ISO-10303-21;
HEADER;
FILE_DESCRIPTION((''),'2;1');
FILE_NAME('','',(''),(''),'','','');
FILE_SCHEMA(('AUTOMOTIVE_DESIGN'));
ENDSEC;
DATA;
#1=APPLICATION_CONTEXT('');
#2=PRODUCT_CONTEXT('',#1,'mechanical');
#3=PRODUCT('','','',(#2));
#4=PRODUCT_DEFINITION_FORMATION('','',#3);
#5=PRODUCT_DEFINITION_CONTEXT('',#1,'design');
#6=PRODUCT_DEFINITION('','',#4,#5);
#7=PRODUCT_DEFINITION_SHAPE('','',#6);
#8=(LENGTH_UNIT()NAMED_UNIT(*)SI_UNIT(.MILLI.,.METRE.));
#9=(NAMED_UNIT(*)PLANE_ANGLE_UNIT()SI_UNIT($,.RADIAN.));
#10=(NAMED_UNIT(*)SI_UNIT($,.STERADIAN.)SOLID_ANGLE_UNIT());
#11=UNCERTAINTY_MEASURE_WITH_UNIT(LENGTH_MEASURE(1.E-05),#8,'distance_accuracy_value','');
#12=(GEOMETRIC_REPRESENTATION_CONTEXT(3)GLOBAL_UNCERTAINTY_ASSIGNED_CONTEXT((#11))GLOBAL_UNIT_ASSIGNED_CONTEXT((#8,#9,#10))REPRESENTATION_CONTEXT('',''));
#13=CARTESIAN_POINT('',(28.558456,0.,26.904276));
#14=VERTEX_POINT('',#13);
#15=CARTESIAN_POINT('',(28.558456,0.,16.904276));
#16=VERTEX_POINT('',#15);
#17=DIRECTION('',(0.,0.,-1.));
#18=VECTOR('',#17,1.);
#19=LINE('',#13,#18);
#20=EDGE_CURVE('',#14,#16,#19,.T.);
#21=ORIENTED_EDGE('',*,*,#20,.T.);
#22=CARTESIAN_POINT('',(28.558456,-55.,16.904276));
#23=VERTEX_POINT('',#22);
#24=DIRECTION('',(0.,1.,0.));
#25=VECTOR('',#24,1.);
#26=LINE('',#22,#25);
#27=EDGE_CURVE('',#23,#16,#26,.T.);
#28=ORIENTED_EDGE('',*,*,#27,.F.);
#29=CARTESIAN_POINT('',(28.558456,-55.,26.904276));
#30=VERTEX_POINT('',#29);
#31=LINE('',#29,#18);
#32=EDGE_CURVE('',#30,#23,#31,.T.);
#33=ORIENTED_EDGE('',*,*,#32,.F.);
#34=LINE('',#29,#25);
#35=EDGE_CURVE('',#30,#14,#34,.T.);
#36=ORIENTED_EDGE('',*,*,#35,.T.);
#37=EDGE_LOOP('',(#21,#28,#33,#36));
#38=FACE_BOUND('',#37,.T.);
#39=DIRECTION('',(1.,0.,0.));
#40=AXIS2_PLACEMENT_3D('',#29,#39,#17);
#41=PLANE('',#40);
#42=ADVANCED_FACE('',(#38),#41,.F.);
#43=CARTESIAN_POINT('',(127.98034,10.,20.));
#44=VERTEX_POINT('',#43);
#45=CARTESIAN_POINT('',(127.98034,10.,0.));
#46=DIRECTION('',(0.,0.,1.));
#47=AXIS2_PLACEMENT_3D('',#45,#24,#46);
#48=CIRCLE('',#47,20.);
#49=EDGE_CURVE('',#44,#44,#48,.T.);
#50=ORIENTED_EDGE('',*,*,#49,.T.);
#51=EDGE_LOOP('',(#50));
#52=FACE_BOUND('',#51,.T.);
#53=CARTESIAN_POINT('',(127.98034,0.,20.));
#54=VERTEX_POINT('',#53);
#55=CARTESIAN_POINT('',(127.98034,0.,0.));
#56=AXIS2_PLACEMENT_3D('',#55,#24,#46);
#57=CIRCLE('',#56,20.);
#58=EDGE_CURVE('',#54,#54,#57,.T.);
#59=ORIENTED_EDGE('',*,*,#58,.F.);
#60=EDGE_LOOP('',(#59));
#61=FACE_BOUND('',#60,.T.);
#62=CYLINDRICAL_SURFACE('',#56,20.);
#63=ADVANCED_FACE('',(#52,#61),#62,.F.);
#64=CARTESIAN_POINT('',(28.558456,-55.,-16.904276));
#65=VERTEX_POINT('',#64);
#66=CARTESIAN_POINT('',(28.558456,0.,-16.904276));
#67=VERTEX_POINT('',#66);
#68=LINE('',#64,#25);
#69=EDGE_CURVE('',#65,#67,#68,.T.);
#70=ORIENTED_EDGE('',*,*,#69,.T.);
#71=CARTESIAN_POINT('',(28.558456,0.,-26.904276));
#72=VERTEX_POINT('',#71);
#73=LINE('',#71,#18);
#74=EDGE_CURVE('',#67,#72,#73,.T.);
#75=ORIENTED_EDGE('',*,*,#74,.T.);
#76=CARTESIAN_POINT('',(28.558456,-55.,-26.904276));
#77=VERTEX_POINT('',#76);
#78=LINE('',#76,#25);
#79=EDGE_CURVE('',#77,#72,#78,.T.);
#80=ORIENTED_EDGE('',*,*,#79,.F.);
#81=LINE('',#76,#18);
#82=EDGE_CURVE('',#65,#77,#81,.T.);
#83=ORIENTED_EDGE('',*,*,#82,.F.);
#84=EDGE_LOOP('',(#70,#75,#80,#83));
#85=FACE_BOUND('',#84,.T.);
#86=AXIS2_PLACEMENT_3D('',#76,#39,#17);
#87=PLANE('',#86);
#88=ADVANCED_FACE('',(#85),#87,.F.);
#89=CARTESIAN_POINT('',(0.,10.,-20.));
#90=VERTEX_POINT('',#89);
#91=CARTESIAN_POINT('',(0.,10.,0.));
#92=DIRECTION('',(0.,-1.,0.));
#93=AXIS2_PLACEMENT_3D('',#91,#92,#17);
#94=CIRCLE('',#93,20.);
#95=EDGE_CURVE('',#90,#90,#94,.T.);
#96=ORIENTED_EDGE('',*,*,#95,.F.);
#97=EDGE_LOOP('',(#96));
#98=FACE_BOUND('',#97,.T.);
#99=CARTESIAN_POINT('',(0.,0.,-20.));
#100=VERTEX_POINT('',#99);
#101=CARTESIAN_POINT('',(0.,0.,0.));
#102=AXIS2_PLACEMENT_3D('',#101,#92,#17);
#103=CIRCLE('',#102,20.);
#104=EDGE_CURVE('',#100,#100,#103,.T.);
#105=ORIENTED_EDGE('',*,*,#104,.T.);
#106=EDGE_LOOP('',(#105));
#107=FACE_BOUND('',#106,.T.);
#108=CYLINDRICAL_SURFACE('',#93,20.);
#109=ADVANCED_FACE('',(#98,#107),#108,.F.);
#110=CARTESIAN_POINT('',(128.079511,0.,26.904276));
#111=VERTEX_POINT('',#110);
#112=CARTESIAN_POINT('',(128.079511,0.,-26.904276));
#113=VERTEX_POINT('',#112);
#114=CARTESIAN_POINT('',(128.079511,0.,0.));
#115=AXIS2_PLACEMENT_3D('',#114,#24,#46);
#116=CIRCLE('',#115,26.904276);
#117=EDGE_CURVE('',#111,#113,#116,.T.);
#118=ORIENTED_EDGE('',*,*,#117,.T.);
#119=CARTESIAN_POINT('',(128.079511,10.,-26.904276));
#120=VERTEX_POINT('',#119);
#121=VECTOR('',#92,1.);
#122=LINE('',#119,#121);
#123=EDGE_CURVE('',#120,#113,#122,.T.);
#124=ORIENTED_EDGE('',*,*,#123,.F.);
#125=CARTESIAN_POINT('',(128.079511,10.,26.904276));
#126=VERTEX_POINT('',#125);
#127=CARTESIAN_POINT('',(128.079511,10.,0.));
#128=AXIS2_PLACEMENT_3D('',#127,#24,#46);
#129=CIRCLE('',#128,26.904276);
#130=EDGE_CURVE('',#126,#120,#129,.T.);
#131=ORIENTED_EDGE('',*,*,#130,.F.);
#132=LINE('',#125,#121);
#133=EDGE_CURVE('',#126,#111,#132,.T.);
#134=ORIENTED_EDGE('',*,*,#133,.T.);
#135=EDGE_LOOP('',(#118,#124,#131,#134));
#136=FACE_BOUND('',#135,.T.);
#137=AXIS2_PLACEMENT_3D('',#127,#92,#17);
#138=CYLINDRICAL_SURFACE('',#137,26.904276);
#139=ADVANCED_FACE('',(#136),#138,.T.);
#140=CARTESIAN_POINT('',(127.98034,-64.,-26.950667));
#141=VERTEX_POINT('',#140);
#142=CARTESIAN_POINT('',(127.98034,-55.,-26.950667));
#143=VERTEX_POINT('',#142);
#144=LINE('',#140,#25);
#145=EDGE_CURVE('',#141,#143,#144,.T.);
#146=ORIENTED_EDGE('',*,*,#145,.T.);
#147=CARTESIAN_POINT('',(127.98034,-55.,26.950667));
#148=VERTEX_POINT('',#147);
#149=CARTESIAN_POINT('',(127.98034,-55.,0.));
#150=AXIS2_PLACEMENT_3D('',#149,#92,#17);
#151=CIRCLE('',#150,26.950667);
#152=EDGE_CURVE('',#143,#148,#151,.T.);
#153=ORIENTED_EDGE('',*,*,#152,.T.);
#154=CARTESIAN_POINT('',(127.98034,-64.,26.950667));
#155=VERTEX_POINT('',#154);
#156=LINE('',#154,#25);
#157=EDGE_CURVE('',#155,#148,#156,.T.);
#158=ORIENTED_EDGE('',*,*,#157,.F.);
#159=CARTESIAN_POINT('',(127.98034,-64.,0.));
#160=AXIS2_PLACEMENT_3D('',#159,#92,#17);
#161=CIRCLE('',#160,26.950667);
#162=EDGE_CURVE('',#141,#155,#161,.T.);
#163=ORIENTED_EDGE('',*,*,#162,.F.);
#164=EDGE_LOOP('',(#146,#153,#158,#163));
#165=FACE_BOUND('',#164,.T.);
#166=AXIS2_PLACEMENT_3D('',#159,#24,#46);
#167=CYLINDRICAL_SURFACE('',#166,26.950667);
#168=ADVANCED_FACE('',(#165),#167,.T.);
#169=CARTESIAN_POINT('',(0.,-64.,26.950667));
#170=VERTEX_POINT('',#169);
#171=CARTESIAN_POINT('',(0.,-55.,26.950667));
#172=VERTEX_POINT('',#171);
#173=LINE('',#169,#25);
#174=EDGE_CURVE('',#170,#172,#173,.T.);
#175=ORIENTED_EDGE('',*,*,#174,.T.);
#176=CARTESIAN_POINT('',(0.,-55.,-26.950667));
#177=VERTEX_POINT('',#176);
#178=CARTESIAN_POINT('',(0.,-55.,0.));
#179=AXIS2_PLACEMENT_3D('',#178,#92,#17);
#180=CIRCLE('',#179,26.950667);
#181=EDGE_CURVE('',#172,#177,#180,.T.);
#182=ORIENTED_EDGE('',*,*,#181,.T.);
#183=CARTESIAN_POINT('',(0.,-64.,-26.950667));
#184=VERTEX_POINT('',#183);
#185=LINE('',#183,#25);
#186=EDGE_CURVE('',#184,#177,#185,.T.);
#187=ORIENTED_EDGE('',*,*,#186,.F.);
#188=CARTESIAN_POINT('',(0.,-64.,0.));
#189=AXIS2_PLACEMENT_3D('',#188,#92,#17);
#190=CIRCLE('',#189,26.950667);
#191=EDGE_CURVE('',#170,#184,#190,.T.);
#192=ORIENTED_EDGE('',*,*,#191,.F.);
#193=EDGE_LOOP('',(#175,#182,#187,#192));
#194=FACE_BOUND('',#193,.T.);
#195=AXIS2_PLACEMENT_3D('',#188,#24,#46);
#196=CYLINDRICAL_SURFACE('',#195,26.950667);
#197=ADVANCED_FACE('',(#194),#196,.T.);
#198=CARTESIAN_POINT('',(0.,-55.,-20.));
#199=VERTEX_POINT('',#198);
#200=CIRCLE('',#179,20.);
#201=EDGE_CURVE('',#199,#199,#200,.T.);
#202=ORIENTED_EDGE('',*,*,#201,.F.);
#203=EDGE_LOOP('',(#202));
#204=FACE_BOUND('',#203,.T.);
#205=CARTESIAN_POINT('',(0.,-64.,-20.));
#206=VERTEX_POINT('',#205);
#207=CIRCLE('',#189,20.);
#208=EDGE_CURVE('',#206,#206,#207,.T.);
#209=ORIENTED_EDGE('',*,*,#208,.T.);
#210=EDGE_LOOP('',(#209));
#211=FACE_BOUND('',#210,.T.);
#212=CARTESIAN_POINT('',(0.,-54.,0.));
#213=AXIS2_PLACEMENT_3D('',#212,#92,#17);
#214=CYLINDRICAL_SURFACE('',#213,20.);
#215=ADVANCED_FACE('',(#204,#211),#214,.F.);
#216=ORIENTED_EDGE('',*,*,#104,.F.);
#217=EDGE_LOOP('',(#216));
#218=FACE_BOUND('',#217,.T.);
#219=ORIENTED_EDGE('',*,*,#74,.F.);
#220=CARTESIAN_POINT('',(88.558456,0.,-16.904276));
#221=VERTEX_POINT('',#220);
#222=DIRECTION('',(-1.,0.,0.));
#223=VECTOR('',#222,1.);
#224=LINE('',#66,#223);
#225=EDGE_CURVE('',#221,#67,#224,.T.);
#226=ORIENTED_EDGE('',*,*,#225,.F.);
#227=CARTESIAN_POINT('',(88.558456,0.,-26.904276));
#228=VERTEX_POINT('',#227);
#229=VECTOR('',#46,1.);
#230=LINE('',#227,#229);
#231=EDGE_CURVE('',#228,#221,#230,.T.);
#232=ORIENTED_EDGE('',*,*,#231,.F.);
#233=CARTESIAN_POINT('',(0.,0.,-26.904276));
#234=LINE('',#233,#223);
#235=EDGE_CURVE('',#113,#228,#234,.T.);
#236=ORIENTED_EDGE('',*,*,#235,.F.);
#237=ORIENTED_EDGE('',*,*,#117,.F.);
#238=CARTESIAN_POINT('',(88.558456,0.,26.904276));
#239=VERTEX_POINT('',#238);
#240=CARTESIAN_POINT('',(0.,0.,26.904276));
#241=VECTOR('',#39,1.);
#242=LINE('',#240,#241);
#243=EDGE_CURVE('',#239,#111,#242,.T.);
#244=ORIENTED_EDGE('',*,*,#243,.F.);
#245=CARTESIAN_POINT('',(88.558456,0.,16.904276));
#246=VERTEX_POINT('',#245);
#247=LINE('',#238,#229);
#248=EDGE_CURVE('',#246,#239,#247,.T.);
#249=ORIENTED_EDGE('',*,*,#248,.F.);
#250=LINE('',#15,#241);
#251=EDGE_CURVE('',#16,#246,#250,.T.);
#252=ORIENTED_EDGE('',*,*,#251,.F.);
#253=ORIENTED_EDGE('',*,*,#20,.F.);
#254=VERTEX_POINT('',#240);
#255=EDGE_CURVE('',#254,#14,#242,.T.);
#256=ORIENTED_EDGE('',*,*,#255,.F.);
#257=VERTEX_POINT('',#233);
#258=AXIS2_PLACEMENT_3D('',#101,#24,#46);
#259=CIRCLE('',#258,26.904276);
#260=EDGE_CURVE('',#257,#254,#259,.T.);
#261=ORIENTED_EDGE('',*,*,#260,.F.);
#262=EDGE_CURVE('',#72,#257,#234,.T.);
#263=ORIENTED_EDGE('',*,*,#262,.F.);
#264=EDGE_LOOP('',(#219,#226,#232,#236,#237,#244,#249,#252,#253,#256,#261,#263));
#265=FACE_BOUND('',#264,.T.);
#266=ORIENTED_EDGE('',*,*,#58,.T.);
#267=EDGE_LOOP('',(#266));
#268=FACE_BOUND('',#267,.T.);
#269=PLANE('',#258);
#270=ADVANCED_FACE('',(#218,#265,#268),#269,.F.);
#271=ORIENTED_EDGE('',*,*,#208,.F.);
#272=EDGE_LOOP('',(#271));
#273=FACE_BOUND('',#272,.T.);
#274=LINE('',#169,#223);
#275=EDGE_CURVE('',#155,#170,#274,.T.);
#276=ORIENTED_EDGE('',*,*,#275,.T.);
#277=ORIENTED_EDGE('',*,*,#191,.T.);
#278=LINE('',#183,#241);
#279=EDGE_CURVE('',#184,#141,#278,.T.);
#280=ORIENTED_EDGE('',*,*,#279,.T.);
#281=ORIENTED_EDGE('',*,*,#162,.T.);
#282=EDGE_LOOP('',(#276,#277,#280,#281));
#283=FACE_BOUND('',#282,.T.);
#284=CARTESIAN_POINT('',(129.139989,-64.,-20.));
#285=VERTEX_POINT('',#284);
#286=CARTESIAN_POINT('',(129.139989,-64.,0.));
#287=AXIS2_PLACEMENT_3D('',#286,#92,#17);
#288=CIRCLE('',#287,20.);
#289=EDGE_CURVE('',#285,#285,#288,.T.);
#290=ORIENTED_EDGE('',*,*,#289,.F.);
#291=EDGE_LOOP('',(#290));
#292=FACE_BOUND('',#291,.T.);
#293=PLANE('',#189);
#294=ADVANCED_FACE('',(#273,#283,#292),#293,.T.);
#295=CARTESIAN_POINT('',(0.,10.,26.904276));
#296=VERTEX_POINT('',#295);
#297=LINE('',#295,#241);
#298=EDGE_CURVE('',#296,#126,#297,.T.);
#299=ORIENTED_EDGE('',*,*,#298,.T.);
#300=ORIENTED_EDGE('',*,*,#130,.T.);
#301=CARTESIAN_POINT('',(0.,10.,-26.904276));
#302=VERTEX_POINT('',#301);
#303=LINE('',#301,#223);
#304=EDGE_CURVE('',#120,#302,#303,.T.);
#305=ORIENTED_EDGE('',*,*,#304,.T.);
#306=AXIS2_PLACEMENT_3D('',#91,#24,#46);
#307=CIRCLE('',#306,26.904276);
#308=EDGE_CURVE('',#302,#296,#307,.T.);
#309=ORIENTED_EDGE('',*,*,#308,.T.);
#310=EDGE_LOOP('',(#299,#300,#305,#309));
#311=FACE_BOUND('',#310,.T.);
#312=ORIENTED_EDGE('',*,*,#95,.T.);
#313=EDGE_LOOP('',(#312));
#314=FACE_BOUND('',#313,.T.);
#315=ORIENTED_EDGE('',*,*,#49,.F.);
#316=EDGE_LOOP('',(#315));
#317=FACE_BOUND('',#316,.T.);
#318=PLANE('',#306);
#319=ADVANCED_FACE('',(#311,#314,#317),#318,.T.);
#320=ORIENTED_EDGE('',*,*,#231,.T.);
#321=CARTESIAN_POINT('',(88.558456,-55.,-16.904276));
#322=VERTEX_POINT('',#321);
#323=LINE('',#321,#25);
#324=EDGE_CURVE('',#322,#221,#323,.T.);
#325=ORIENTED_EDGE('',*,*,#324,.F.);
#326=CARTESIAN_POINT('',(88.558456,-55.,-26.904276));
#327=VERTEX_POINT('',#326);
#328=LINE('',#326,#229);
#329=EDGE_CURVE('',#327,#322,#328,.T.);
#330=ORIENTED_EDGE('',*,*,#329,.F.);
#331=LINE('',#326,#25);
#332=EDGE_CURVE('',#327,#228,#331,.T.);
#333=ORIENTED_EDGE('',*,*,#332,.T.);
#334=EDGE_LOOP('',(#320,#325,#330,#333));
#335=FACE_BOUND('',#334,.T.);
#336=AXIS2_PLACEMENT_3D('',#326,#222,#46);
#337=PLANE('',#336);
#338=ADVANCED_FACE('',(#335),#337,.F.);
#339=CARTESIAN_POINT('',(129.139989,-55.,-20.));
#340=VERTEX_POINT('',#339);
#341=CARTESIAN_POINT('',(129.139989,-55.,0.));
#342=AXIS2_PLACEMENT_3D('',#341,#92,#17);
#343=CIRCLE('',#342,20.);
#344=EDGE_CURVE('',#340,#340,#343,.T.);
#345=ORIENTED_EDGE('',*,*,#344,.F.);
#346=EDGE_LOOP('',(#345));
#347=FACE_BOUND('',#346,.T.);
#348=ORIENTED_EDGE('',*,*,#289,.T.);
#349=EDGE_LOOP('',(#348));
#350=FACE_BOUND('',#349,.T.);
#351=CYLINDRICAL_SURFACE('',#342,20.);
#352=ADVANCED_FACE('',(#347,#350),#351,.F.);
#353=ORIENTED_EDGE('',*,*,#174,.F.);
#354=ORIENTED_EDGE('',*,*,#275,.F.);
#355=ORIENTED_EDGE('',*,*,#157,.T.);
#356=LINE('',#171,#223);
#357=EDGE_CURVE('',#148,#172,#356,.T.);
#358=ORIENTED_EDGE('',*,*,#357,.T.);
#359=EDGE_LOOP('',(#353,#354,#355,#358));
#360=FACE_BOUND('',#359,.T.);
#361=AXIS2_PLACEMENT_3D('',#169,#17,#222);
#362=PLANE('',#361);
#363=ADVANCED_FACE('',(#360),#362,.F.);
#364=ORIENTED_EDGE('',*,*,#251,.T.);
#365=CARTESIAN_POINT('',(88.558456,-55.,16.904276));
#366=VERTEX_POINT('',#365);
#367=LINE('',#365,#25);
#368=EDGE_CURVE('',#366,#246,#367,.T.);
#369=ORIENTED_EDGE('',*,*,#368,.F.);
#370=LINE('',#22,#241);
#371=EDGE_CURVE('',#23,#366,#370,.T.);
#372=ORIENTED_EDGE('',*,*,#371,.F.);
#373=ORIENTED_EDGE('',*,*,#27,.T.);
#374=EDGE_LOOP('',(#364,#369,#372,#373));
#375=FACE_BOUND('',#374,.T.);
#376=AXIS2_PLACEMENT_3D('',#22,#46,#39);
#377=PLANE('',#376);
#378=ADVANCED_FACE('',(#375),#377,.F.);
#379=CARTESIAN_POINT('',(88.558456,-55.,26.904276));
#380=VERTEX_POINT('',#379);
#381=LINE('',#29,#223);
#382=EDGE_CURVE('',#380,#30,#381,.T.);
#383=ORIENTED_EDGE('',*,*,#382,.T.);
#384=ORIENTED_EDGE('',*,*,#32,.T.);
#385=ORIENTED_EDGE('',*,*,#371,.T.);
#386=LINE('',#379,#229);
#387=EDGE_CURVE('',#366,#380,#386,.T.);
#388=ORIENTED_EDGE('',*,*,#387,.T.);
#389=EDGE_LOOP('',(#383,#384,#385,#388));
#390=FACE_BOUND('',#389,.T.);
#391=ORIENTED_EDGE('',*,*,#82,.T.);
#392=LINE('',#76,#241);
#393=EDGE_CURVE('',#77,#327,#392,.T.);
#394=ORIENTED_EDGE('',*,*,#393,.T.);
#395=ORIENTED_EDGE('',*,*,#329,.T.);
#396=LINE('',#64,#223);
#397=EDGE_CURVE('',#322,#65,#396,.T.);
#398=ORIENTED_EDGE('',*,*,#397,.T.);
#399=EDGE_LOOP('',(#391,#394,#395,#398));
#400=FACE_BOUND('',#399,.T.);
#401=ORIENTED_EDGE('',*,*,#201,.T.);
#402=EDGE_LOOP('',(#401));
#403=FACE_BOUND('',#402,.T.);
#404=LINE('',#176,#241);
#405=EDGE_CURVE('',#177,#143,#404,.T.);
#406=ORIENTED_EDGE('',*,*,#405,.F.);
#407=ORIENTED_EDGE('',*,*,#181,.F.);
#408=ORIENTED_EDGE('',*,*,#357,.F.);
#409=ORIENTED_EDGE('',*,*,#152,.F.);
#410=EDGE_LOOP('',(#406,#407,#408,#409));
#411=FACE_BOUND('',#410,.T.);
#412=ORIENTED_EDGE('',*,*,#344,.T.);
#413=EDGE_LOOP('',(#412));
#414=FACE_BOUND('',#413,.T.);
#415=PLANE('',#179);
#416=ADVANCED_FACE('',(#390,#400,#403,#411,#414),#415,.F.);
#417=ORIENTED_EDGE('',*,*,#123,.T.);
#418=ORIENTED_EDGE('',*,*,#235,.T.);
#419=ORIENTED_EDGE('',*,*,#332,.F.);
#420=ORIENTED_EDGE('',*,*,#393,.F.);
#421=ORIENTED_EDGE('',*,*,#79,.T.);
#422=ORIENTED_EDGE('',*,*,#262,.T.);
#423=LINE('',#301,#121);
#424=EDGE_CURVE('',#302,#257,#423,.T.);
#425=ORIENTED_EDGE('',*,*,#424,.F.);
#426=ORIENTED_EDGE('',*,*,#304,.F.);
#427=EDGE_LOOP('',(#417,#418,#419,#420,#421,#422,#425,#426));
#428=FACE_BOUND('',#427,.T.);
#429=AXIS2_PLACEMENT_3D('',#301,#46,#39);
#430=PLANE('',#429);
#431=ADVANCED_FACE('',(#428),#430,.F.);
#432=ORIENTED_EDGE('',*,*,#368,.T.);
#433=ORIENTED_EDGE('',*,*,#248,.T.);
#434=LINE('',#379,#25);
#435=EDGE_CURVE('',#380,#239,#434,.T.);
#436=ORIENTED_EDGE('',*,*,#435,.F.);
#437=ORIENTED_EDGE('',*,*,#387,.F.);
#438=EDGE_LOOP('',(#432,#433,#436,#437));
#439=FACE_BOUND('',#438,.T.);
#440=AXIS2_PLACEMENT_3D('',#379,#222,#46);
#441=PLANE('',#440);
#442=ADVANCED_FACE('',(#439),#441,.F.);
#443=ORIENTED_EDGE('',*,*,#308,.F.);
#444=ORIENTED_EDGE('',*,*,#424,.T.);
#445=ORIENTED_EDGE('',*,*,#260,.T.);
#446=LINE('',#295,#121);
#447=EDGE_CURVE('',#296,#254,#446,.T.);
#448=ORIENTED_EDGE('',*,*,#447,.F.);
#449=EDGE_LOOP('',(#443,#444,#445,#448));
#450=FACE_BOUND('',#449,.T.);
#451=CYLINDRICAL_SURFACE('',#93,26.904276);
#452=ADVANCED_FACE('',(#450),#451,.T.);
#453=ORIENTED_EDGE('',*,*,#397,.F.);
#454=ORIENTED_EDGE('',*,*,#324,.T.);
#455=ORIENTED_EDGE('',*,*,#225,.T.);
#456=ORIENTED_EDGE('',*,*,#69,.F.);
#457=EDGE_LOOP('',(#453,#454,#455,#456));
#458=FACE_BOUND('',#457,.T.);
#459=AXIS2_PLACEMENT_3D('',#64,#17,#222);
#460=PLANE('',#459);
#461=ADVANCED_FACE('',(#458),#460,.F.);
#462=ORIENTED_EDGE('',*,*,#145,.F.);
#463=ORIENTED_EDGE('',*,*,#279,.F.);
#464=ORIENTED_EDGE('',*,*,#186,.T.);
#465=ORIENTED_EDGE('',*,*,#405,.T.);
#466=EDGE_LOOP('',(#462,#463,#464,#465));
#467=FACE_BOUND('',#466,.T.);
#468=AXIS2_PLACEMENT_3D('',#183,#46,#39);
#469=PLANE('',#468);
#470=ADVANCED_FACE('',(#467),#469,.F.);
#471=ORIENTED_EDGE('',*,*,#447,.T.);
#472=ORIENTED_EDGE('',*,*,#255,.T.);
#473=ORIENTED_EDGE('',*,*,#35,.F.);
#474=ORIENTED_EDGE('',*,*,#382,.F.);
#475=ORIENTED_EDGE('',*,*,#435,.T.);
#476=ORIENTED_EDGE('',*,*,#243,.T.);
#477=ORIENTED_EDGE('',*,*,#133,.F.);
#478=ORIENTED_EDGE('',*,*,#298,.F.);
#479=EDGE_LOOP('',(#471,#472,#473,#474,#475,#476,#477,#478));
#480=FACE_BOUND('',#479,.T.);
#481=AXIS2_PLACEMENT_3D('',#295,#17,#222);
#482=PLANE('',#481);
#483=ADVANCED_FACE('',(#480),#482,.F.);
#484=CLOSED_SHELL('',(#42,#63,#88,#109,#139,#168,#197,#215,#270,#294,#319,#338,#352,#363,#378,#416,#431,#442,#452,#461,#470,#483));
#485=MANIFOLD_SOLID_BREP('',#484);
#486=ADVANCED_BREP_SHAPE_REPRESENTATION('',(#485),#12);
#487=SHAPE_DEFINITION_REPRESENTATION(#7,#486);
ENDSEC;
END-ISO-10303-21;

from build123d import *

# Parameters (mm, degrees)
SALIENTE_EXTRUIR1_DEPTH = 10
CROQUIS2_R              = 20
CORTAR_EXTRUIR1_DEPTH   = 10
CROQUIS3_R              = 20
CORTAR_EXTRUIR2_DEPTH   = 10
CROQUIS5_W              = 60
CROQUIS5_H              = 10
SALIENTE_EXTRUIR3_DEPTH = 55
SALIENTE_EXTRUIR4_DEPTH = 9
CROQUIS8_R              = 20
CORTAR_EXTRUIR3_DEPTH   = 9
CROQUIS9_R              = 20
CORTAR_EXTRUIR4_DEPTH   = 10


with BuildPart() as part:
    # Croquis1 → Saliente-Extruir1 (new body)
    with BuildSketch(Plane(origin=(0, 0, 0), x_dir=(1, 0, 0), z_dir=(0, 1, 0))):
        with BuildLine():
            Line((0, 26.904276051), (128.079511341, 26.904276051))
            ThreePointArc((128.079511341, 26.904276051), (154.983787391, 0), (128.079511341, -26.904276051))
            Line((128.079511341, -26.904276051), (0, -26.904276051))
            ThreePointArc((0, -26.904276051), (-26.904276051, 0), (0, 26.904276051))
        make_face()
    extrude(amount=SALIENTE_EXTRUIR1_DEPTH)

    # Croquis2 → Cortar-Extruir1 (cut)
    with BuildSketch(Plane.XZ):
        with Locations(Location((0, 0, 0), (0, 0, 270))):
            Circle(CROQUIS2_R)
    extrude(amount=-CORTAR_EXTRUIR1_DEPTH, mode=Mode.SUBTRACT)

    # Croquis3 → Cortar-Extruir2 (cut)
    with BuildSketch(Plane(origin=(0, 10, 0), x_dir=(1, 0, 0), z_dir=(0, 1, 0))):
        with Locations(Location((127.980340476, 0, 0), (0, 0, 270))):
            Circle(CROQUIS3_R)
    extrude(amount=-CORTAR_EXTRUIR2_DEPTH, mode=Mode.SUBTRACT)

    # Croquis5 → Saliente-Extruir3 (add)
    with BuildSketch(Plane(origin=(0, 0, 0), x_dir=(-1, 0, 0), z_dir=(0, -1, 0))):
        with Locations((-58.558456053, -21.904276051)):
            Rectangle(CROQUIS5_W, CROQUIS5_H)
        with Locations((-58.558456053, 21.904276051)):
            Rectangle(CROQUIS5_W, CROQUIS5_H)
    extrude(amount=SALIENTE_EXTRUIR3_DEPTH)

    # Croquis7 → Saliente-Extruir4 (add)
    with BuildSketch(Plane(origin=(0, -55, 0), x_dir=(-1, 0, 0), z_dir=(0, -1, 0))):
        with BuildLine():
            Line((0, -26.950667307), (-127.980340476, -26.950667307))
            ThreePointArc((-127.980340476, -26.950667307), (-154.931007783, 0), (-127.980340476, 26.950667307))
            Line((-127.980340476, 26.950667307), (0, 26.950667307))
            ThreePointArc((0, 26.950667307), (26.950667307, 0), (0, -26.950667307))
        make_face()
    extrude(amount=SALIENTE_EXTRUIR4_DEPTH)

    # Croquis8 → Cortar-Extruir3 (cut)
    with BuildSketch(Plane(origin=(0, -64, 0), x_dir=(-1, 0, 0), z_dir=(0, -1, 0))):
        with Locations(Location((-129.139989333, 0, 0), (0, 0, 90))):
            Circle(CROQUIS8_R)
    extrude(amount=-CORTAR_EXTRUIR3_DEPTH, mode=Mode.SUBTRACT)

    # Croquis9 → Cortar-Extruir4 (cut)
    with BuildSketch(Plane(origin=(0, -64, 0), x_dir=(-1, 0, 0), z_dir=(0, -1, 0))):
        with Locations(Location((0, 0, 0), (0, 0, 90))):
            Circle(CROQUIS9_R)
    extrude(amount=-CORTAR_EXTRUIR4_DEPTH, mode=Mode.SUBTRACT)


solid = part.part
